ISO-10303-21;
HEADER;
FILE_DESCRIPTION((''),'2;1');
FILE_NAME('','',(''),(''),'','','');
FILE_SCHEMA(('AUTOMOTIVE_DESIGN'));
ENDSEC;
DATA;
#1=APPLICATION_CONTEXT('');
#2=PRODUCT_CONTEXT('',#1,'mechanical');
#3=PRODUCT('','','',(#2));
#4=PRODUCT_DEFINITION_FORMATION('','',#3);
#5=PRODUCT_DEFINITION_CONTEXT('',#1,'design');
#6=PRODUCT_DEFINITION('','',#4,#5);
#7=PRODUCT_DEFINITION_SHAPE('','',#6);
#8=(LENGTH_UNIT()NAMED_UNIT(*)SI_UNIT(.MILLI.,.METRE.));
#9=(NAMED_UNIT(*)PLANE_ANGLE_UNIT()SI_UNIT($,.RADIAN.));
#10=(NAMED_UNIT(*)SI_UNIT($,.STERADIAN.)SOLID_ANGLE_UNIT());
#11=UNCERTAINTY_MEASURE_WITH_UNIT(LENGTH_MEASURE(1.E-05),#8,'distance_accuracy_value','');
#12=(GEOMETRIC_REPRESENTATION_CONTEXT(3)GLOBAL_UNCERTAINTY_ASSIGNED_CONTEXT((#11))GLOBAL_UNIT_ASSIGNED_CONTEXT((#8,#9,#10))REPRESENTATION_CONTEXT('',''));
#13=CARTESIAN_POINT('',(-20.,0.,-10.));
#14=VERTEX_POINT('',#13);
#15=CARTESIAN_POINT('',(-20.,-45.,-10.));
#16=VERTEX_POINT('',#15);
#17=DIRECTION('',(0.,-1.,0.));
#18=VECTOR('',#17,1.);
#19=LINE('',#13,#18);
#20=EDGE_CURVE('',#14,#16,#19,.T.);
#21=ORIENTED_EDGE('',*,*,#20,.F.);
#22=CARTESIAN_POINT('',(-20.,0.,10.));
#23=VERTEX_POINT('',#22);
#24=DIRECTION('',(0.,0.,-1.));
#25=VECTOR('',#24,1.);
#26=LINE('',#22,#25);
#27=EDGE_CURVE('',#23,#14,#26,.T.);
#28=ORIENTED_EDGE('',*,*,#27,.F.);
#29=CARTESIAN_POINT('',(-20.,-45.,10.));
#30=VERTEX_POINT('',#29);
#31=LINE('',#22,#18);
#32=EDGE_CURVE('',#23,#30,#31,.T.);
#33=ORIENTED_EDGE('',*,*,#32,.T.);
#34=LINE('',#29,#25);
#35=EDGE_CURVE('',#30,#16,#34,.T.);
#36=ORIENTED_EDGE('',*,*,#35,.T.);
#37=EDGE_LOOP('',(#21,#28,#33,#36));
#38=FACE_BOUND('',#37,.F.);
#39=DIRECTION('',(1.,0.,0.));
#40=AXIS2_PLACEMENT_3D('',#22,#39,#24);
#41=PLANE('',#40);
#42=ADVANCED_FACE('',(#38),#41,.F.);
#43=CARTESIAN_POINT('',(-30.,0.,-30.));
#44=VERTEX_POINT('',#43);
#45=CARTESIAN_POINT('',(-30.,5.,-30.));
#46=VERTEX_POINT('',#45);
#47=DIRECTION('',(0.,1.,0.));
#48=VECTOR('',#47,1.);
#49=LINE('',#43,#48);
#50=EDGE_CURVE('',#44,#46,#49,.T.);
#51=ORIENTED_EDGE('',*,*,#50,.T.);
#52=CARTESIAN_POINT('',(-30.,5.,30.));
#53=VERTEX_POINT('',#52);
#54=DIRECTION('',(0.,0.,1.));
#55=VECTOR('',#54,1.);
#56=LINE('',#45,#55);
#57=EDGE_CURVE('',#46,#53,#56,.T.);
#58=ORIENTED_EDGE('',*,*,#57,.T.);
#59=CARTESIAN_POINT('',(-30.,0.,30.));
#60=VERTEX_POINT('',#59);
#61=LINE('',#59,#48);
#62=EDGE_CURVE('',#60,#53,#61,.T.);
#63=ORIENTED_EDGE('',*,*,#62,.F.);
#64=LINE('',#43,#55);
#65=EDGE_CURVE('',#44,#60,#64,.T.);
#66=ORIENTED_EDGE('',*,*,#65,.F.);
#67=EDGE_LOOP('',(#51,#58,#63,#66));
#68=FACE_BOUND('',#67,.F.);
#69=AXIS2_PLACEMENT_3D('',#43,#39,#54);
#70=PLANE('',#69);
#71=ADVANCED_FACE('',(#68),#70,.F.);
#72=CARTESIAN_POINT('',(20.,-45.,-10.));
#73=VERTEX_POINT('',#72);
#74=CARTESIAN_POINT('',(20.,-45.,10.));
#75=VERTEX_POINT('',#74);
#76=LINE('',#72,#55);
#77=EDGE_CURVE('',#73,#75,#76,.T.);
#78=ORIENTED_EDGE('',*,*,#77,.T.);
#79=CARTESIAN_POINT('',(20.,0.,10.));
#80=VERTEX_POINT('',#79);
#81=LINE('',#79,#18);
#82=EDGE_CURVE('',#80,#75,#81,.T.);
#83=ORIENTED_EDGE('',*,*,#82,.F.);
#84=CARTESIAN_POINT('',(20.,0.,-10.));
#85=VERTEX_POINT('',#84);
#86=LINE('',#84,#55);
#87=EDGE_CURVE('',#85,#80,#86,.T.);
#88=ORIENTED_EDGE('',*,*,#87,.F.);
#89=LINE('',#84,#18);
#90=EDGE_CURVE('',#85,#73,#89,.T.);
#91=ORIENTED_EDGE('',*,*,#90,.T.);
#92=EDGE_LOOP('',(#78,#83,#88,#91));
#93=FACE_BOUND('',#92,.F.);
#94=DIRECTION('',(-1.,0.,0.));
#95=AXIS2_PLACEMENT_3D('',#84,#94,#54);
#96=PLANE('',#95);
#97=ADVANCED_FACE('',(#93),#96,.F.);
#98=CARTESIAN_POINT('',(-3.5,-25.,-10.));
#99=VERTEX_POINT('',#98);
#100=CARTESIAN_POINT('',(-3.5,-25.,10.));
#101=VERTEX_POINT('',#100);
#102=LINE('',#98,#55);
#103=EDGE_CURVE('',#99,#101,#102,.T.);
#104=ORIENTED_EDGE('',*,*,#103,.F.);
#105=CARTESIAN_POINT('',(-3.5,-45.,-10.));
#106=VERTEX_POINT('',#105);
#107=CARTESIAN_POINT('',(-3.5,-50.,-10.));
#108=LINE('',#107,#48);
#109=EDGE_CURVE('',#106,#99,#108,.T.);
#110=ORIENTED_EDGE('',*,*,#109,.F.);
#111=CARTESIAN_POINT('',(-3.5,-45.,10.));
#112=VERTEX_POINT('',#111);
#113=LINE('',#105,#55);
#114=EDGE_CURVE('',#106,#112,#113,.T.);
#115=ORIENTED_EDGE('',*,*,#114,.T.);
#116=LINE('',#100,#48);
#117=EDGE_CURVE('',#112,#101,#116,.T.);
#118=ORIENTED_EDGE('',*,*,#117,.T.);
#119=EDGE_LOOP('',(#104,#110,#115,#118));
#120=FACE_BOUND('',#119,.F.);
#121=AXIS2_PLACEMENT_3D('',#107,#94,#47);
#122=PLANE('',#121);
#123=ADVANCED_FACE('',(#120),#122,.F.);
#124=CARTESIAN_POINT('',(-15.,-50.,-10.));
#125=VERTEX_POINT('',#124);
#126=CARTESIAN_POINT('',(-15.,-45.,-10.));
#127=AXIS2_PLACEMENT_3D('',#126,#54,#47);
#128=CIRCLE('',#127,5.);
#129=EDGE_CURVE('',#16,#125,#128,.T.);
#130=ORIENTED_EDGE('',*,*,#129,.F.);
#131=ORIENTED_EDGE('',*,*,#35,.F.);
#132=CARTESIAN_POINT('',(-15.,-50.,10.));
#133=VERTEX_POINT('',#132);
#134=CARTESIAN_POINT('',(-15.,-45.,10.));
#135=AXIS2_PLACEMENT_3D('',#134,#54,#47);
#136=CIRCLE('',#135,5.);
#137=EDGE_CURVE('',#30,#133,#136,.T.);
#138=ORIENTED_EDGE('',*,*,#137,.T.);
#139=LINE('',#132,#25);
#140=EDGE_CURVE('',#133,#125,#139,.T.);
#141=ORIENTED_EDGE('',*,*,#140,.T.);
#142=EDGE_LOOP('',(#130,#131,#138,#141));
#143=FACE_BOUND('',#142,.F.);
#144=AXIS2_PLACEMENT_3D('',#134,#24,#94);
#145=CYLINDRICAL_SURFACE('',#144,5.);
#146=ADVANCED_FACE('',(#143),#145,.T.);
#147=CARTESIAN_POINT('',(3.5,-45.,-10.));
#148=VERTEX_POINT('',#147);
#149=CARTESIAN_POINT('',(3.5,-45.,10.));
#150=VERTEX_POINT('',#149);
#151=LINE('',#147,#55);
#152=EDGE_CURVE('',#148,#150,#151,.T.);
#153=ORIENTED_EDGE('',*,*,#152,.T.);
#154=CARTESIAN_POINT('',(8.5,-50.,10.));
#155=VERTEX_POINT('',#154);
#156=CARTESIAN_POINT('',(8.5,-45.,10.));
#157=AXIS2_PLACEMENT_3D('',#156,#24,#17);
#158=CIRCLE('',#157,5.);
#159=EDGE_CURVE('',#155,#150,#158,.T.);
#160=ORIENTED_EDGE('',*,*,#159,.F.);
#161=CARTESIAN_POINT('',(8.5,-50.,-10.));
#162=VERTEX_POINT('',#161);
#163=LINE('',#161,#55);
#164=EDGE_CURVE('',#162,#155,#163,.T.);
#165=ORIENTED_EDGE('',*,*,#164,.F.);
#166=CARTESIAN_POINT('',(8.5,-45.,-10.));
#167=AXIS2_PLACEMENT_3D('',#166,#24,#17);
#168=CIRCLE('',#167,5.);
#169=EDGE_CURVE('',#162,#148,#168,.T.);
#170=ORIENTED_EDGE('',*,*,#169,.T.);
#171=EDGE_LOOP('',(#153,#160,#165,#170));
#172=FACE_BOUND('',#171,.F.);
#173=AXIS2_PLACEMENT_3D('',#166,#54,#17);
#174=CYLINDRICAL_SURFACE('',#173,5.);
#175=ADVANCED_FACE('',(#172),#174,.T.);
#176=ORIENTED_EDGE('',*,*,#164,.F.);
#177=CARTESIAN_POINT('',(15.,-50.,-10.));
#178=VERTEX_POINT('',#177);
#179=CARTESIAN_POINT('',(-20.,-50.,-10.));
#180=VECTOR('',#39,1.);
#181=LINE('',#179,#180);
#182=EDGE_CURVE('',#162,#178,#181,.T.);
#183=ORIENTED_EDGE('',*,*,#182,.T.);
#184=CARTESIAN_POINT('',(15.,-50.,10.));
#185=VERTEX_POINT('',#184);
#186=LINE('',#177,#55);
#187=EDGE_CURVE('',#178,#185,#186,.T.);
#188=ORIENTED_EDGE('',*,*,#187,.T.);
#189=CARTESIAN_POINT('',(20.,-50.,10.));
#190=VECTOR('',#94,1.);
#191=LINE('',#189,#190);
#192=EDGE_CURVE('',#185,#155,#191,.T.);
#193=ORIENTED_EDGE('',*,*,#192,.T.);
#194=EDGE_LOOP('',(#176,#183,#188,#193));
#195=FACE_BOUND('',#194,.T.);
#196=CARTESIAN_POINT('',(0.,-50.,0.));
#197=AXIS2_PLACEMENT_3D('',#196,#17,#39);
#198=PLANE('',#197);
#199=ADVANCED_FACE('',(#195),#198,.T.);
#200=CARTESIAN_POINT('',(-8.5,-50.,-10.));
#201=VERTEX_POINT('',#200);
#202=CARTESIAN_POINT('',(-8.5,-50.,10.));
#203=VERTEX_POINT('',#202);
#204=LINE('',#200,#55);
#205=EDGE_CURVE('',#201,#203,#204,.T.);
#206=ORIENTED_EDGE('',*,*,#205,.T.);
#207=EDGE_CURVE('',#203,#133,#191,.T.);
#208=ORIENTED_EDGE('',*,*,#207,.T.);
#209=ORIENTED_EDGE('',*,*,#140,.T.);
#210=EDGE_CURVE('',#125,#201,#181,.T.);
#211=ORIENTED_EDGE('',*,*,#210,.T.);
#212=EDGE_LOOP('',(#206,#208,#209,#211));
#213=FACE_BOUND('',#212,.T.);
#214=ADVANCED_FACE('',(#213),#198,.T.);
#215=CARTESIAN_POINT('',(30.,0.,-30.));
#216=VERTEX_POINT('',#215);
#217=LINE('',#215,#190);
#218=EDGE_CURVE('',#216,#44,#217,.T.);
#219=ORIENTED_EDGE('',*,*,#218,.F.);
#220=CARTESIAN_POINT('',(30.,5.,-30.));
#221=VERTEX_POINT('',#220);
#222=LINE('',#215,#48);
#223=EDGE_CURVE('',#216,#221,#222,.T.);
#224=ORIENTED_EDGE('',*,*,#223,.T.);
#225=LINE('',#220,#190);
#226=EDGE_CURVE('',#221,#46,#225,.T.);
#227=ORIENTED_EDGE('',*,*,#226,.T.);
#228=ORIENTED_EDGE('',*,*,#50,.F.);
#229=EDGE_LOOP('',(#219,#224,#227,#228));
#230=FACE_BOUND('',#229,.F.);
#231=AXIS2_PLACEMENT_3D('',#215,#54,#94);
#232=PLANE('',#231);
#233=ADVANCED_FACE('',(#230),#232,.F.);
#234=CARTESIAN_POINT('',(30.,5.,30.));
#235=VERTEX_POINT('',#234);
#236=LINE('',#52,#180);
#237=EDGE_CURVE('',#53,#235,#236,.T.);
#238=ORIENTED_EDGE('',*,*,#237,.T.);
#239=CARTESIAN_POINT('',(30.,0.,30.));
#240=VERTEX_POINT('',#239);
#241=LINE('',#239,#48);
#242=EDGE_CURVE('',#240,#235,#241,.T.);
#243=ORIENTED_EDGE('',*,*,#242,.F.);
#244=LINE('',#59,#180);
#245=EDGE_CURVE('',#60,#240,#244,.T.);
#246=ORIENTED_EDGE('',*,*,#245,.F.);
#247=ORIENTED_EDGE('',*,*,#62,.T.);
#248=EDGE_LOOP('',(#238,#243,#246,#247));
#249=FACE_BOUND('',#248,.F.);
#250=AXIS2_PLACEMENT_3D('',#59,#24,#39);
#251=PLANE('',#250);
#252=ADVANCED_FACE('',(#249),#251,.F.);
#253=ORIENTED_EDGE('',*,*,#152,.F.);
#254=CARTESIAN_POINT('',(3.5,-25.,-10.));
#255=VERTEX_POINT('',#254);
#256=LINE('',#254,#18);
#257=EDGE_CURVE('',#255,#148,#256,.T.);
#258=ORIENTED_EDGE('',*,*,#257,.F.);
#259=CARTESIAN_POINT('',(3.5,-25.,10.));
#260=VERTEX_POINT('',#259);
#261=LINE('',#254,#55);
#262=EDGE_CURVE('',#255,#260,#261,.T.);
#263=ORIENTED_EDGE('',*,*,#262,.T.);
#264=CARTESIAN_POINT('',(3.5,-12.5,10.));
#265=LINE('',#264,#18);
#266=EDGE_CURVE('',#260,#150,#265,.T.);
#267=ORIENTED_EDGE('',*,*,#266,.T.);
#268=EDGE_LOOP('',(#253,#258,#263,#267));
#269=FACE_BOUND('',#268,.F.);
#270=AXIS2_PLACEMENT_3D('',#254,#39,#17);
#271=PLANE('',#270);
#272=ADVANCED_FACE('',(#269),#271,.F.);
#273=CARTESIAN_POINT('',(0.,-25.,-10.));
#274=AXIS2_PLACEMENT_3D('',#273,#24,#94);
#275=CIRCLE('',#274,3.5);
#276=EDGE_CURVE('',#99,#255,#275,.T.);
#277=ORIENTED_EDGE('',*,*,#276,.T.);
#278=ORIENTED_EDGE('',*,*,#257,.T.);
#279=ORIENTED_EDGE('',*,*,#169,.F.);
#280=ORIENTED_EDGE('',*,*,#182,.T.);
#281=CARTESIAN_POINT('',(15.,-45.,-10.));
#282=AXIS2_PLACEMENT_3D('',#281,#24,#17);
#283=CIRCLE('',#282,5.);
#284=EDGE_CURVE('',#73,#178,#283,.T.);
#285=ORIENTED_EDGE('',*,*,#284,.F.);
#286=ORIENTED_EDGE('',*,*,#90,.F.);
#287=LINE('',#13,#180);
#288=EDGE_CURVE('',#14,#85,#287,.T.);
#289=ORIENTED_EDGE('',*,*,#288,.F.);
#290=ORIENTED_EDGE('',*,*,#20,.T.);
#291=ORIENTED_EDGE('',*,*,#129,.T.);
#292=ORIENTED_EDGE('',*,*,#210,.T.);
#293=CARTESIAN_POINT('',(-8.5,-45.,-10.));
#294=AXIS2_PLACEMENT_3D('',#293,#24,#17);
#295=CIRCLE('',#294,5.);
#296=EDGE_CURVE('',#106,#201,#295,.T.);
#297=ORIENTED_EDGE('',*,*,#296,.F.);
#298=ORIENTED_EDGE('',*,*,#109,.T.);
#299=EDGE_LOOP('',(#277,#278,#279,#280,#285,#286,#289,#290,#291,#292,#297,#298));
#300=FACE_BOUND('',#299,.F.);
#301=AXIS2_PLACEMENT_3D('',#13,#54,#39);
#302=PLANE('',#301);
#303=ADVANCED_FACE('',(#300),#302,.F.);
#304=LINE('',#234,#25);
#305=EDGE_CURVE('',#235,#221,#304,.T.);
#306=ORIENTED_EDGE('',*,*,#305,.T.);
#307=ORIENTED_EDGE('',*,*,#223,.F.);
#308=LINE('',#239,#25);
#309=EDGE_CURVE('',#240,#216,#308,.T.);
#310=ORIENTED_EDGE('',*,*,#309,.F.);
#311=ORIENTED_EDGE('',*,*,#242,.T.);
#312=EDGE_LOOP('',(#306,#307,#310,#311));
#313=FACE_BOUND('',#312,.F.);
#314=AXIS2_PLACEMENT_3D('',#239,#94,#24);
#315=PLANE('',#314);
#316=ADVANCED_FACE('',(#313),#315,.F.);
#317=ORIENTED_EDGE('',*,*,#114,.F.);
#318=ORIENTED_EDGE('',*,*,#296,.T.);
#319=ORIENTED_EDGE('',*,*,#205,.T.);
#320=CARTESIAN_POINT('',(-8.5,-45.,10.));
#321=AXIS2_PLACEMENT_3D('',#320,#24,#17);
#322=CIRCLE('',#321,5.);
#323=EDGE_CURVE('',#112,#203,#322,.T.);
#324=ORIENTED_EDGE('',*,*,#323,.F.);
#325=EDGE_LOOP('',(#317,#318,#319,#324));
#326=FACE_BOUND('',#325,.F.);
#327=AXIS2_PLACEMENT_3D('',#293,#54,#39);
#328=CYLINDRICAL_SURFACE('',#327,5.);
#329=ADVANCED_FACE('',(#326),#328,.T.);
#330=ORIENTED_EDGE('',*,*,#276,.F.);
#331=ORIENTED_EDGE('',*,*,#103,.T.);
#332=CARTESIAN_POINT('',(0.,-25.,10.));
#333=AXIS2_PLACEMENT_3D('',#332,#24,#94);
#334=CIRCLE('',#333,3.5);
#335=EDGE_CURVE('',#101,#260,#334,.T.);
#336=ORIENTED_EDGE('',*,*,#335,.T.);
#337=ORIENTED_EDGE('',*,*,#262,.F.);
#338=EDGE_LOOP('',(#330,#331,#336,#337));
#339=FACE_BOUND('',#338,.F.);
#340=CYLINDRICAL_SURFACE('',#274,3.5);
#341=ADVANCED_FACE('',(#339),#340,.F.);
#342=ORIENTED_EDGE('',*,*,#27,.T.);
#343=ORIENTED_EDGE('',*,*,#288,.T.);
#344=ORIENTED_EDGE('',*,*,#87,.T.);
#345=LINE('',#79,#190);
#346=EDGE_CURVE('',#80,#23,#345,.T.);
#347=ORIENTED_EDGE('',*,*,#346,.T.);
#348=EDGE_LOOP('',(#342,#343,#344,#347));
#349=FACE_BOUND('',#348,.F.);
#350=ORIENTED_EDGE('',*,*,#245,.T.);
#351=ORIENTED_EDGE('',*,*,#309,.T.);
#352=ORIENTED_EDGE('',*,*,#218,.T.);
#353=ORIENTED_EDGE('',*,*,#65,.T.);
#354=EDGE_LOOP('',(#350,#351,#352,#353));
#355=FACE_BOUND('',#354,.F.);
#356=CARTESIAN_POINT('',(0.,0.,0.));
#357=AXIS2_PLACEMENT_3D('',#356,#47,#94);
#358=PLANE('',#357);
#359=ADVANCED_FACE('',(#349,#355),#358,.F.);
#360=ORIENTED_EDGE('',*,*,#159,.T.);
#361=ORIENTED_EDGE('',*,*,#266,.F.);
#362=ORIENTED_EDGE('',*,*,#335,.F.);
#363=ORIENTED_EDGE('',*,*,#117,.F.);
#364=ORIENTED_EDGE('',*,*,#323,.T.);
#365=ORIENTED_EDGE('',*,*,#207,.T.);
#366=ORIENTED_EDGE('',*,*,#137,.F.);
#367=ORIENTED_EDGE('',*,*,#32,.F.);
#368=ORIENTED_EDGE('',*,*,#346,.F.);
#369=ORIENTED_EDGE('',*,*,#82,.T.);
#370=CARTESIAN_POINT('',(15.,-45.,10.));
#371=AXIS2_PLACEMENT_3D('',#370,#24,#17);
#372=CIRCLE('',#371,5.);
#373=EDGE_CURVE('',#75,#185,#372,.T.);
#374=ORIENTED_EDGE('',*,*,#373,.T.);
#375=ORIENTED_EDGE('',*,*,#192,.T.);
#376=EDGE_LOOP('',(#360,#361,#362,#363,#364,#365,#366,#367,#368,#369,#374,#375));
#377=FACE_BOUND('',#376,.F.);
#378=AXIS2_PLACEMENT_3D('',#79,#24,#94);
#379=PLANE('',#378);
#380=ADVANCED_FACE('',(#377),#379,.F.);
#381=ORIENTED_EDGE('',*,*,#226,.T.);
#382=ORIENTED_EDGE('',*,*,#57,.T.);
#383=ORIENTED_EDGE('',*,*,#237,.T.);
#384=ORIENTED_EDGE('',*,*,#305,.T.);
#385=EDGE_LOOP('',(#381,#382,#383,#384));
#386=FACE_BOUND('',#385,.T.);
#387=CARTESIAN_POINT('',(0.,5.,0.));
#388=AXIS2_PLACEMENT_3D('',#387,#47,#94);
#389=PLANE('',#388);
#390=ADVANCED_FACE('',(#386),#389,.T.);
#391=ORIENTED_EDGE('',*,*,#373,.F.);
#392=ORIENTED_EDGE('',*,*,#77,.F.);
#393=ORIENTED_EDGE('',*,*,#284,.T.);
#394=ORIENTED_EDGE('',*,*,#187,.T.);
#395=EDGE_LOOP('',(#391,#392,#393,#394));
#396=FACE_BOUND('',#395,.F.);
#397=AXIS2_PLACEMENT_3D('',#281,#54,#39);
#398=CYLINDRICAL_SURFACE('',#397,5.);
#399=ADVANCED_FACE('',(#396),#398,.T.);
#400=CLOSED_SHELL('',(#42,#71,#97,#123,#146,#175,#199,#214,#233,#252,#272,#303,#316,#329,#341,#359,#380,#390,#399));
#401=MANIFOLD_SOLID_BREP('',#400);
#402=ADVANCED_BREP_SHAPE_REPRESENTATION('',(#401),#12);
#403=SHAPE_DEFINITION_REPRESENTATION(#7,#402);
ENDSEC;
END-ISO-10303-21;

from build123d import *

# Parameters (mm, degrees)
F1_DEPTH = 50
F3_DEPTH = 25
F5_DEPTH = 5
F6_R     = 5


with BuildPart() as f1:
    # F0 (on Front) → F1 (new body)
    with BuildSketch(Plane.XZ):
        Polygon((20, 10), (0, 10), (-20, 10), (-20, -10), (20, -10), align=None)
    extrude(amount=F1_DEPTH)

    # F2 (on face) → F3 (cut)
    with BuildSketch(Plane(origin=(0, 0, -10), x_dir=(1, 0, 0), z_dir=(0, 0, -1))):
        with BuildLine():
            Line((-3.5, 50), (-3.5, 25))
            ThreePointArc((-3.5, 25), (0, 21.5), (3.5, 25))
            Line((3.5, 25), (3.5, 50))
            Line((3.5, 50), (-3.5, 50))
        make_face()
    extrude(amount=-F3_DEPTH, mode=Mode.SUBTRACT)

    # F4 (on face) → F5 (join)
    with BuildSketch(Plane(origin=(0, 0, 0), x_dir=(-1, 0, 0), z_dir=(0, 1, 0))):
        Polygon((-30, 30), (-30, 0), (-30, -30), (30, -30), (30, 30), align=None)
        Polygon((-20, -10), (-20, 0), (-20, 10), (20, 10), (20, -10), align=None, mode=Mode.SUBTRACT)
        Polygon((-20, 10), (-20, 0), (-20, -10), (20, -10), (20, 10), align=None)
    extrude(amount=F5_DEPTH)

    # F6
    f6_edges = [f1.edges().sort_by_distance(p)[0] for p in [
        (20, -50, 0),
        (3.5, -50, 0),
        (-3.5, -50, 0),
        (-20, -50, 0),
    ]]
    fillet(f6_edges, radius=F6_R)


solid = f1.part
